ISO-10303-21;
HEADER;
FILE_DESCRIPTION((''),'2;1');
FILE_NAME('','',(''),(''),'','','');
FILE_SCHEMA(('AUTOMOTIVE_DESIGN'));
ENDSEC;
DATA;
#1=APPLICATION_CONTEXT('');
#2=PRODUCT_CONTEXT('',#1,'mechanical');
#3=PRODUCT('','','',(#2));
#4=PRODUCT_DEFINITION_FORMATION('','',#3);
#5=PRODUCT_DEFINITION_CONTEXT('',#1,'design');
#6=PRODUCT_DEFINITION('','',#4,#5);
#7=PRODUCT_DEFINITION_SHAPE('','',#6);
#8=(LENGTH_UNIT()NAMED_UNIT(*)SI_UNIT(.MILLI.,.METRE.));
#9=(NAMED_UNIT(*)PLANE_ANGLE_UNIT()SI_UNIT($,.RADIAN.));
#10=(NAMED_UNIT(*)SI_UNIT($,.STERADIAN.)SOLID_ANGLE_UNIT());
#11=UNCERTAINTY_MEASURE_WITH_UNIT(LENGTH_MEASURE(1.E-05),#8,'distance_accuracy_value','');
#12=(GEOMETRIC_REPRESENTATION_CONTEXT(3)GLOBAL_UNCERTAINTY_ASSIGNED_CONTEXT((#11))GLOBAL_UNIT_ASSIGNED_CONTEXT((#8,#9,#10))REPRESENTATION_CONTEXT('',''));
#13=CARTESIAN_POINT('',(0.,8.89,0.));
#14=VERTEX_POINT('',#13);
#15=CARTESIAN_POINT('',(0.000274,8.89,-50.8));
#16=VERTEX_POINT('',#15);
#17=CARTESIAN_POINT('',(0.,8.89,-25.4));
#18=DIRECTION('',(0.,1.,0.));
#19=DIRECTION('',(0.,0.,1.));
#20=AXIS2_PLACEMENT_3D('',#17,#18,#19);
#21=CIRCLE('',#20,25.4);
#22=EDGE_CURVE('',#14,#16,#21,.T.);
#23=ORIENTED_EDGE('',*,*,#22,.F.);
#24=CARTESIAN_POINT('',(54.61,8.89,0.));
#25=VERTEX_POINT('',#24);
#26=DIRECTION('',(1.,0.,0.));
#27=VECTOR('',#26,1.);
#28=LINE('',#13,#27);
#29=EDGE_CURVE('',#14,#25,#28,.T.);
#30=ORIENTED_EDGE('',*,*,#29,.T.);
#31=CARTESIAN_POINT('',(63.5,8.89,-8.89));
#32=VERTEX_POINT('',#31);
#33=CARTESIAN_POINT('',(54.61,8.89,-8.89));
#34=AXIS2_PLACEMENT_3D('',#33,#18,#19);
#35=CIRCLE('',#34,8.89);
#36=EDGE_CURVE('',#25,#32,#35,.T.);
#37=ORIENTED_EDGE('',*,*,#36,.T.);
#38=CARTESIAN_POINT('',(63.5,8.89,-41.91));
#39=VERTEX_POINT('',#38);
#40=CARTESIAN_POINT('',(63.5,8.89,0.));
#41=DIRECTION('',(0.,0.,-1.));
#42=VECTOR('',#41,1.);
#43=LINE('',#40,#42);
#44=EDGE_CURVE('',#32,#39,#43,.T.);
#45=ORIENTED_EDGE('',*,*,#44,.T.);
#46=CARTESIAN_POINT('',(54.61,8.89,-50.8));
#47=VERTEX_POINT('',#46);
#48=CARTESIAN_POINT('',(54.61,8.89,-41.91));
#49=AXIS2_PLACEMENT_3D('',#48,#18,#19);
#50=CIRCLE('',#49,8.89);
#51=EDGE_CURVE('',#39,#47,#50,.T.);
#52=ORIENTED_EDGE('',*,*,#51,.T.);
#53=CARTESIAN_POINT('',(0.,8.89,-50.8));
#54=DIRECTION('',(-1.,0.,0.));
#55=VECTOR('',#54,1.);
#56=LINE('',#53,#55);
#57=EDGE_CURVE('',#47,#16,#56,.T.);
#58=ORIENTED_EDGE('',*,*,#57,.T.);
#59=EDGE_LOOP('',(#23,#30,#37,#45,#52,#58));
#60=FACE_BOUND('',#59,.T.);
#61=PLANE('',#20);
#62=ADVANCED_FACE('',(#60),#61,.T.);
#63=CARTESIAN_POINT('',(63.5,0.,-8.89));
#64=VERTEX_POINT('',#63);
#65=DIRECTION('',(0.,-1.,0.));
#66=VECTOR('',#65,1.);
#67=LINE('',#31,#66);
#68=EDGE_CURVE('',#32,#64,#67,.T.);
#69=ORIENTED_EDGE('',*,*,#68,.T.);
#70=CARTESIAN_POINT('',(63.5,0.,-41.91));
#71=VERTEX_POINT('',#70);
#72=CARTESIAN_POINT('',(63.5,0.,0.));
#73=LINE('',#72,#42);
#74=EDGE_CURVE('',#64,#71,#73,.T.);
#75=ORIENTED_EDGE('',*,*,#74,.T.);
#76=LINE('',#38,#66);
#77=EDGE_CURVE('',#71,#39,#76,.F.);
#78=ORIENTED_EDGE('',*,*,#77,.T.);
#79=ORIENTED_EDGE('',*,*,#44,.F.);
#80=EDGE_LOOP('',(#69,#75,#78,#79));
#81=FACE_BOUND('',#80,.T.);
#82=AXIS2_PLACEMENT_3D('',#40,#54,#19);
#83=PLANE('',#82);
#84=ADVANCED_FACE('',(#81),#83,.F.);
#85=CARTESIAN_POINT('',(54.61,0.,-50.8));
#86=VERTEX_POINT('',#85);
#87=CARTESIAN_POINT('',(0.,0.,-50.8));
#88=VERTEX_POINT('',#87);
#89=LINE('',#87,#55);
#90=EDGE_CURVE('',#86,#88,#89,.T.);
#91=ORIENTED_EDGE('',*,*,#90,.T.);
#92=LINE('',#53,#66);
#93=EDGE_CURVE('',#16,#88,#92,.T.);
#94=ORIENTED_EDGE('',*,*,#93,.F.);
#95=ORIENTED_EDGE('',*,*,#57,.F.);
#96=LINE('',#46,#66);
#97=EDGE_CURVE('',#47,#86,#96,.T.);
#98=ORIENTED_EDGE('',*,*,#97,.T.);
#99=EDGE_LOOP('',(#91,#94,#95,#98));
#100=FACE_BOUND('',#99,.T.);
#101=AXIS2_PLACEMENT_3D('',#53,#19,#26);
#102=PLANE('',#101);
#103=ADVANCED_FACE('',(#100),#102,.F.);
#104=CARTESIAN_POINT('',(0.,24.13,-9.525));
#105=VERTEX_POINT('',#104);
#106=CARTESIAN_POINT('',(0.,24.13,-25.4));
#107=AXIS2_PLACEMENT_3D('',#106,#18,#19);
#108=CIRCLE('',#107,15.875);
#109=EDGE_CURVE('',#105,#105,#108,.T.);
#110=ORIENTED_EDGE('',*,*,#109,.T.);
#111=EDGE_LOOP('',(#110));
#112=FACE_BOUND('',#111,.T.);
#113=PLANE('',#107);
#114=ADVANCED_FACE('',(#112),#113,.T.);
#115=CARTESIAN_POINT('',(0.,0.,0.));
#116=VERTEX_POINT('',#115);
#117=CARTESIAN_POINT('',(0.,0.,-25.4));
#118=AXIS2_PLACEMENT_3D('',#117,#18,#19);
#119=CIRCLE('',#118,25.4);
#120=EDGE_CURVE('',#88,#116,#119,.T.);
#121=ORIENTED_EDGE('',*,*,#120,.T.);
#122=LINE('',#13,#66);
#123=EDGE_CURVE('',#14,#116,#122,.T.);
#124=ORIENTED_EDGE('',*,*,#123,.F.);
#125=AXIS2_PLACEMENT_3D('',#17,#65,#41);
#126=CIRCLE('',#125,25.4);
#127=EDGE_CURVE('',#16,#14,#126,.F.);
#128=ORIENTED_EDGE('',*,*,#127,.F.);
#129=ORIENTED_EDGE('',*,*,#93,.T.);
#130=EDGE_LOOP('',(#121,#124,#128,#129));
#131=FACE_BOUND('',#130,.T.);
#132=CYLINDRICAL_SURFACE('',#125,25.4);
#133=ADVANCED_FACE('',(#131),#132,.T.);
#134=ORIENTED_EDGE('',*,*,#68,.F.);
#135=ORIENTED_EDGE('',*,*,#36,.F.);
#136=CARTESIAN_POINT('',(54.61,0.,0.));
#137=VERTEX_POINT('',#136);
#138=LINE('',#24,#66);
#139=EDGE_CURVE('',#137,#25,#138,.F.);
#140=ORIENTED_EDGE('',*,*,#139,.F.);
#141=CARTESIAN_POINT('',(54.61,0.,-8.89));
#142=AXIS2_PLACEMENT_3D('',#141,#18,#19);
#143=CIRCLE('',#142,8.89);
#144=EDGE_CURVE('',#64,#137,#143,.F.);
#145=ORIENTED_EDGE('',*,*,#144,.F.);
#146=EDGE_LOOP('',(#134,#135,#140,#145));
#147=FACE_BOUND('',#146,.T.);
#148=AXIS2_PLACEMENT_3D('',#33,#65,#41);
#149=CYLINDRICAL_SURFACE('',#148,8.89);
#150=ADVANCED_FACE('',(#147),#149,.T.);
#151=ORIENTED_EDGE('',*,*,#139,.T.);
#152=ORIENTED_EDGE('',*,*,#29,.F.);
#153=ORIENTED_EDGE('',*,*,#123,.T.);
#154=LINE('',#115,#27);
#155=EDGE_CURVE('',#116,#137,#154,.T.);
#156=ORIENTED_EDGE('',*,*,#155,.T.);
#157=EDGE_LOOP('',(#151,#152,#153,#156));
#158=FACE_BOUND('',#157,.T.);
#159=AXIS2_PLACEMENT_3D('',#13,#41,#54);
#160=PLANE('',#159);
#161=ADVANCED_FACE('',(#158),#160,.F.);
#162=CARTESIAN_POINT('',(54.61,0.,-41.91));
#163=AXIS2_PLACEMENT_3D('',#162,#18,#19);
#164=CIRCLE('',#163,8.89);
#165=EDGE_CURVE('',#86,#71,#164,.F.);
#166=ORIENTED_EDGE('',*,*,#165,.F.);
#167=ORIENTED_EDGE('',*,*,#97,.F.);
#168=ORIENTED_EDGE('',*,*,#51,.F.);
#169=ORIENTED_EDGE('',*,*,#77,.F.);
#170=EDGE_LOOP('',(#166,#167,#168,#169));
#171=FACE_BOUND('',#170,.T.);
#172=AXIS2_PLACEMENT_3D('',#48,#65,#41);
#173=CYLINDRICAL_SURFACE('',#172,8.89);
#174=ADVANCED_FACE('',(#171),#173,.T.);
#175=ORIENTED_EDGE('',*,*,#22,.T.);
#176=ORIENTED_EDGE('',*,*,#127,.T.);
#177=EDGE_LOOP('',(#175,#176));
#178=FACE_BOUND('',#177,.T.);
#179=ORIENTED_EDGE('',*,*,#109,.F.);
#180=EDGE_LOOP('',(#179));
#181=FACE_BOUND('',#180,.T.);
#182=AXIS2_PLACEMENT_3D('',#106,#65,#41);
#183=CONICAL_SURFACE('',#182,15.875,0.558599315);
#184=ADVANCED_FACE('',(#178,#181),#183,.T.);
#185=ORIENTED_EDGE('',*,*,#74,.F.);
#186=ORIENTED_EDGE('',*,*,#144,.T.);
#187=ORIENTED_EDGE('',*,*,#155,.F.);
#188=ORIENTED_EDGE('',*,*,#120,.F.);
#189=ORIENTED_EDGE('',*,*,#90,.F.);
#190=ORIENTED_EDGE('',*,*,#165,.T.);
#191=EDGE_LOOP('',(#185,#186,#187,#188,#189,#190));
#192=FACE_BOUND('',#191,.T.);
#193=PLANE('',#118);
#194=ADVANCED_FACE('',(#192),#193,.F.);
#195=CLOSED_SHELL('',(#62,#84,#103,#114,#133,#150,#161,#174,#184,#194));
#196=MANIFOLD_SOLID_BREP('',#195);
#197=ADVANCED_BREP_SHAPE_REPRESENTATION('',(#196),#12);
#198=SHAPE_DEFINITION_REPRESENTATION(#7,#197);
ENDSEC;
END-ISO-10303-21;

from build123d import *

# Parameters (mm, degrees)
BOSS_EXTRUDE1_DEPTH = 8.89
FILLET1_R           = 8.89
SKETCH4_R           = 25.4
SKETCH11_R          = 15.875


with BuildPart() as part:
    # Sketch1 → Boss-Extrude1 (new body)
    with BuildSketch(Plane(origin=(0, 0, 0), x_dir=(1, 0, 0), z_dir=(0, 1, 0))):
        with BuildLine():
            Line((0, 0), (63.5, 0))
            Line((63.5, 0), (63.5, 50.8))
            Line((63.5, 50.8), (0, 50.8))
            ThreePointArc((0, 50.8), (-25.4, 25.4), (0, 0))
        make_face()
    extrude(amount=BOSS_EXTRUDE1_DEPTH)

    # Fillet1
    fillet1_edges = [part.edges().sort_by_distance(p)[0] for p in [
        (63.5, 4.445, -50.8),
        (63.5, 4.445, 0),
    ]]
    fillet(fillet1_edges, radius=FILLET1_R)

    # Sketch4 → Loft2 section 0
    with BuildSketch(Plane(origin=(0, 8.89, 0), x_dir=(1, 0, 0), z_dir=(0, 1, 0))):
        with Locations((0, 25.4)):
            Circle(SKETCH4_R)
    # Sketch11 → Loft2 section 1
    with BuildSketch(Plane(origin=(0, 24.13, 0), x_dir=(1, 0, 0), z_dir=(0, 1, 0))):
        with Locations((0, 25.4)):
            Circle(SKETCH11_R)
    loft()


solid = part.part
